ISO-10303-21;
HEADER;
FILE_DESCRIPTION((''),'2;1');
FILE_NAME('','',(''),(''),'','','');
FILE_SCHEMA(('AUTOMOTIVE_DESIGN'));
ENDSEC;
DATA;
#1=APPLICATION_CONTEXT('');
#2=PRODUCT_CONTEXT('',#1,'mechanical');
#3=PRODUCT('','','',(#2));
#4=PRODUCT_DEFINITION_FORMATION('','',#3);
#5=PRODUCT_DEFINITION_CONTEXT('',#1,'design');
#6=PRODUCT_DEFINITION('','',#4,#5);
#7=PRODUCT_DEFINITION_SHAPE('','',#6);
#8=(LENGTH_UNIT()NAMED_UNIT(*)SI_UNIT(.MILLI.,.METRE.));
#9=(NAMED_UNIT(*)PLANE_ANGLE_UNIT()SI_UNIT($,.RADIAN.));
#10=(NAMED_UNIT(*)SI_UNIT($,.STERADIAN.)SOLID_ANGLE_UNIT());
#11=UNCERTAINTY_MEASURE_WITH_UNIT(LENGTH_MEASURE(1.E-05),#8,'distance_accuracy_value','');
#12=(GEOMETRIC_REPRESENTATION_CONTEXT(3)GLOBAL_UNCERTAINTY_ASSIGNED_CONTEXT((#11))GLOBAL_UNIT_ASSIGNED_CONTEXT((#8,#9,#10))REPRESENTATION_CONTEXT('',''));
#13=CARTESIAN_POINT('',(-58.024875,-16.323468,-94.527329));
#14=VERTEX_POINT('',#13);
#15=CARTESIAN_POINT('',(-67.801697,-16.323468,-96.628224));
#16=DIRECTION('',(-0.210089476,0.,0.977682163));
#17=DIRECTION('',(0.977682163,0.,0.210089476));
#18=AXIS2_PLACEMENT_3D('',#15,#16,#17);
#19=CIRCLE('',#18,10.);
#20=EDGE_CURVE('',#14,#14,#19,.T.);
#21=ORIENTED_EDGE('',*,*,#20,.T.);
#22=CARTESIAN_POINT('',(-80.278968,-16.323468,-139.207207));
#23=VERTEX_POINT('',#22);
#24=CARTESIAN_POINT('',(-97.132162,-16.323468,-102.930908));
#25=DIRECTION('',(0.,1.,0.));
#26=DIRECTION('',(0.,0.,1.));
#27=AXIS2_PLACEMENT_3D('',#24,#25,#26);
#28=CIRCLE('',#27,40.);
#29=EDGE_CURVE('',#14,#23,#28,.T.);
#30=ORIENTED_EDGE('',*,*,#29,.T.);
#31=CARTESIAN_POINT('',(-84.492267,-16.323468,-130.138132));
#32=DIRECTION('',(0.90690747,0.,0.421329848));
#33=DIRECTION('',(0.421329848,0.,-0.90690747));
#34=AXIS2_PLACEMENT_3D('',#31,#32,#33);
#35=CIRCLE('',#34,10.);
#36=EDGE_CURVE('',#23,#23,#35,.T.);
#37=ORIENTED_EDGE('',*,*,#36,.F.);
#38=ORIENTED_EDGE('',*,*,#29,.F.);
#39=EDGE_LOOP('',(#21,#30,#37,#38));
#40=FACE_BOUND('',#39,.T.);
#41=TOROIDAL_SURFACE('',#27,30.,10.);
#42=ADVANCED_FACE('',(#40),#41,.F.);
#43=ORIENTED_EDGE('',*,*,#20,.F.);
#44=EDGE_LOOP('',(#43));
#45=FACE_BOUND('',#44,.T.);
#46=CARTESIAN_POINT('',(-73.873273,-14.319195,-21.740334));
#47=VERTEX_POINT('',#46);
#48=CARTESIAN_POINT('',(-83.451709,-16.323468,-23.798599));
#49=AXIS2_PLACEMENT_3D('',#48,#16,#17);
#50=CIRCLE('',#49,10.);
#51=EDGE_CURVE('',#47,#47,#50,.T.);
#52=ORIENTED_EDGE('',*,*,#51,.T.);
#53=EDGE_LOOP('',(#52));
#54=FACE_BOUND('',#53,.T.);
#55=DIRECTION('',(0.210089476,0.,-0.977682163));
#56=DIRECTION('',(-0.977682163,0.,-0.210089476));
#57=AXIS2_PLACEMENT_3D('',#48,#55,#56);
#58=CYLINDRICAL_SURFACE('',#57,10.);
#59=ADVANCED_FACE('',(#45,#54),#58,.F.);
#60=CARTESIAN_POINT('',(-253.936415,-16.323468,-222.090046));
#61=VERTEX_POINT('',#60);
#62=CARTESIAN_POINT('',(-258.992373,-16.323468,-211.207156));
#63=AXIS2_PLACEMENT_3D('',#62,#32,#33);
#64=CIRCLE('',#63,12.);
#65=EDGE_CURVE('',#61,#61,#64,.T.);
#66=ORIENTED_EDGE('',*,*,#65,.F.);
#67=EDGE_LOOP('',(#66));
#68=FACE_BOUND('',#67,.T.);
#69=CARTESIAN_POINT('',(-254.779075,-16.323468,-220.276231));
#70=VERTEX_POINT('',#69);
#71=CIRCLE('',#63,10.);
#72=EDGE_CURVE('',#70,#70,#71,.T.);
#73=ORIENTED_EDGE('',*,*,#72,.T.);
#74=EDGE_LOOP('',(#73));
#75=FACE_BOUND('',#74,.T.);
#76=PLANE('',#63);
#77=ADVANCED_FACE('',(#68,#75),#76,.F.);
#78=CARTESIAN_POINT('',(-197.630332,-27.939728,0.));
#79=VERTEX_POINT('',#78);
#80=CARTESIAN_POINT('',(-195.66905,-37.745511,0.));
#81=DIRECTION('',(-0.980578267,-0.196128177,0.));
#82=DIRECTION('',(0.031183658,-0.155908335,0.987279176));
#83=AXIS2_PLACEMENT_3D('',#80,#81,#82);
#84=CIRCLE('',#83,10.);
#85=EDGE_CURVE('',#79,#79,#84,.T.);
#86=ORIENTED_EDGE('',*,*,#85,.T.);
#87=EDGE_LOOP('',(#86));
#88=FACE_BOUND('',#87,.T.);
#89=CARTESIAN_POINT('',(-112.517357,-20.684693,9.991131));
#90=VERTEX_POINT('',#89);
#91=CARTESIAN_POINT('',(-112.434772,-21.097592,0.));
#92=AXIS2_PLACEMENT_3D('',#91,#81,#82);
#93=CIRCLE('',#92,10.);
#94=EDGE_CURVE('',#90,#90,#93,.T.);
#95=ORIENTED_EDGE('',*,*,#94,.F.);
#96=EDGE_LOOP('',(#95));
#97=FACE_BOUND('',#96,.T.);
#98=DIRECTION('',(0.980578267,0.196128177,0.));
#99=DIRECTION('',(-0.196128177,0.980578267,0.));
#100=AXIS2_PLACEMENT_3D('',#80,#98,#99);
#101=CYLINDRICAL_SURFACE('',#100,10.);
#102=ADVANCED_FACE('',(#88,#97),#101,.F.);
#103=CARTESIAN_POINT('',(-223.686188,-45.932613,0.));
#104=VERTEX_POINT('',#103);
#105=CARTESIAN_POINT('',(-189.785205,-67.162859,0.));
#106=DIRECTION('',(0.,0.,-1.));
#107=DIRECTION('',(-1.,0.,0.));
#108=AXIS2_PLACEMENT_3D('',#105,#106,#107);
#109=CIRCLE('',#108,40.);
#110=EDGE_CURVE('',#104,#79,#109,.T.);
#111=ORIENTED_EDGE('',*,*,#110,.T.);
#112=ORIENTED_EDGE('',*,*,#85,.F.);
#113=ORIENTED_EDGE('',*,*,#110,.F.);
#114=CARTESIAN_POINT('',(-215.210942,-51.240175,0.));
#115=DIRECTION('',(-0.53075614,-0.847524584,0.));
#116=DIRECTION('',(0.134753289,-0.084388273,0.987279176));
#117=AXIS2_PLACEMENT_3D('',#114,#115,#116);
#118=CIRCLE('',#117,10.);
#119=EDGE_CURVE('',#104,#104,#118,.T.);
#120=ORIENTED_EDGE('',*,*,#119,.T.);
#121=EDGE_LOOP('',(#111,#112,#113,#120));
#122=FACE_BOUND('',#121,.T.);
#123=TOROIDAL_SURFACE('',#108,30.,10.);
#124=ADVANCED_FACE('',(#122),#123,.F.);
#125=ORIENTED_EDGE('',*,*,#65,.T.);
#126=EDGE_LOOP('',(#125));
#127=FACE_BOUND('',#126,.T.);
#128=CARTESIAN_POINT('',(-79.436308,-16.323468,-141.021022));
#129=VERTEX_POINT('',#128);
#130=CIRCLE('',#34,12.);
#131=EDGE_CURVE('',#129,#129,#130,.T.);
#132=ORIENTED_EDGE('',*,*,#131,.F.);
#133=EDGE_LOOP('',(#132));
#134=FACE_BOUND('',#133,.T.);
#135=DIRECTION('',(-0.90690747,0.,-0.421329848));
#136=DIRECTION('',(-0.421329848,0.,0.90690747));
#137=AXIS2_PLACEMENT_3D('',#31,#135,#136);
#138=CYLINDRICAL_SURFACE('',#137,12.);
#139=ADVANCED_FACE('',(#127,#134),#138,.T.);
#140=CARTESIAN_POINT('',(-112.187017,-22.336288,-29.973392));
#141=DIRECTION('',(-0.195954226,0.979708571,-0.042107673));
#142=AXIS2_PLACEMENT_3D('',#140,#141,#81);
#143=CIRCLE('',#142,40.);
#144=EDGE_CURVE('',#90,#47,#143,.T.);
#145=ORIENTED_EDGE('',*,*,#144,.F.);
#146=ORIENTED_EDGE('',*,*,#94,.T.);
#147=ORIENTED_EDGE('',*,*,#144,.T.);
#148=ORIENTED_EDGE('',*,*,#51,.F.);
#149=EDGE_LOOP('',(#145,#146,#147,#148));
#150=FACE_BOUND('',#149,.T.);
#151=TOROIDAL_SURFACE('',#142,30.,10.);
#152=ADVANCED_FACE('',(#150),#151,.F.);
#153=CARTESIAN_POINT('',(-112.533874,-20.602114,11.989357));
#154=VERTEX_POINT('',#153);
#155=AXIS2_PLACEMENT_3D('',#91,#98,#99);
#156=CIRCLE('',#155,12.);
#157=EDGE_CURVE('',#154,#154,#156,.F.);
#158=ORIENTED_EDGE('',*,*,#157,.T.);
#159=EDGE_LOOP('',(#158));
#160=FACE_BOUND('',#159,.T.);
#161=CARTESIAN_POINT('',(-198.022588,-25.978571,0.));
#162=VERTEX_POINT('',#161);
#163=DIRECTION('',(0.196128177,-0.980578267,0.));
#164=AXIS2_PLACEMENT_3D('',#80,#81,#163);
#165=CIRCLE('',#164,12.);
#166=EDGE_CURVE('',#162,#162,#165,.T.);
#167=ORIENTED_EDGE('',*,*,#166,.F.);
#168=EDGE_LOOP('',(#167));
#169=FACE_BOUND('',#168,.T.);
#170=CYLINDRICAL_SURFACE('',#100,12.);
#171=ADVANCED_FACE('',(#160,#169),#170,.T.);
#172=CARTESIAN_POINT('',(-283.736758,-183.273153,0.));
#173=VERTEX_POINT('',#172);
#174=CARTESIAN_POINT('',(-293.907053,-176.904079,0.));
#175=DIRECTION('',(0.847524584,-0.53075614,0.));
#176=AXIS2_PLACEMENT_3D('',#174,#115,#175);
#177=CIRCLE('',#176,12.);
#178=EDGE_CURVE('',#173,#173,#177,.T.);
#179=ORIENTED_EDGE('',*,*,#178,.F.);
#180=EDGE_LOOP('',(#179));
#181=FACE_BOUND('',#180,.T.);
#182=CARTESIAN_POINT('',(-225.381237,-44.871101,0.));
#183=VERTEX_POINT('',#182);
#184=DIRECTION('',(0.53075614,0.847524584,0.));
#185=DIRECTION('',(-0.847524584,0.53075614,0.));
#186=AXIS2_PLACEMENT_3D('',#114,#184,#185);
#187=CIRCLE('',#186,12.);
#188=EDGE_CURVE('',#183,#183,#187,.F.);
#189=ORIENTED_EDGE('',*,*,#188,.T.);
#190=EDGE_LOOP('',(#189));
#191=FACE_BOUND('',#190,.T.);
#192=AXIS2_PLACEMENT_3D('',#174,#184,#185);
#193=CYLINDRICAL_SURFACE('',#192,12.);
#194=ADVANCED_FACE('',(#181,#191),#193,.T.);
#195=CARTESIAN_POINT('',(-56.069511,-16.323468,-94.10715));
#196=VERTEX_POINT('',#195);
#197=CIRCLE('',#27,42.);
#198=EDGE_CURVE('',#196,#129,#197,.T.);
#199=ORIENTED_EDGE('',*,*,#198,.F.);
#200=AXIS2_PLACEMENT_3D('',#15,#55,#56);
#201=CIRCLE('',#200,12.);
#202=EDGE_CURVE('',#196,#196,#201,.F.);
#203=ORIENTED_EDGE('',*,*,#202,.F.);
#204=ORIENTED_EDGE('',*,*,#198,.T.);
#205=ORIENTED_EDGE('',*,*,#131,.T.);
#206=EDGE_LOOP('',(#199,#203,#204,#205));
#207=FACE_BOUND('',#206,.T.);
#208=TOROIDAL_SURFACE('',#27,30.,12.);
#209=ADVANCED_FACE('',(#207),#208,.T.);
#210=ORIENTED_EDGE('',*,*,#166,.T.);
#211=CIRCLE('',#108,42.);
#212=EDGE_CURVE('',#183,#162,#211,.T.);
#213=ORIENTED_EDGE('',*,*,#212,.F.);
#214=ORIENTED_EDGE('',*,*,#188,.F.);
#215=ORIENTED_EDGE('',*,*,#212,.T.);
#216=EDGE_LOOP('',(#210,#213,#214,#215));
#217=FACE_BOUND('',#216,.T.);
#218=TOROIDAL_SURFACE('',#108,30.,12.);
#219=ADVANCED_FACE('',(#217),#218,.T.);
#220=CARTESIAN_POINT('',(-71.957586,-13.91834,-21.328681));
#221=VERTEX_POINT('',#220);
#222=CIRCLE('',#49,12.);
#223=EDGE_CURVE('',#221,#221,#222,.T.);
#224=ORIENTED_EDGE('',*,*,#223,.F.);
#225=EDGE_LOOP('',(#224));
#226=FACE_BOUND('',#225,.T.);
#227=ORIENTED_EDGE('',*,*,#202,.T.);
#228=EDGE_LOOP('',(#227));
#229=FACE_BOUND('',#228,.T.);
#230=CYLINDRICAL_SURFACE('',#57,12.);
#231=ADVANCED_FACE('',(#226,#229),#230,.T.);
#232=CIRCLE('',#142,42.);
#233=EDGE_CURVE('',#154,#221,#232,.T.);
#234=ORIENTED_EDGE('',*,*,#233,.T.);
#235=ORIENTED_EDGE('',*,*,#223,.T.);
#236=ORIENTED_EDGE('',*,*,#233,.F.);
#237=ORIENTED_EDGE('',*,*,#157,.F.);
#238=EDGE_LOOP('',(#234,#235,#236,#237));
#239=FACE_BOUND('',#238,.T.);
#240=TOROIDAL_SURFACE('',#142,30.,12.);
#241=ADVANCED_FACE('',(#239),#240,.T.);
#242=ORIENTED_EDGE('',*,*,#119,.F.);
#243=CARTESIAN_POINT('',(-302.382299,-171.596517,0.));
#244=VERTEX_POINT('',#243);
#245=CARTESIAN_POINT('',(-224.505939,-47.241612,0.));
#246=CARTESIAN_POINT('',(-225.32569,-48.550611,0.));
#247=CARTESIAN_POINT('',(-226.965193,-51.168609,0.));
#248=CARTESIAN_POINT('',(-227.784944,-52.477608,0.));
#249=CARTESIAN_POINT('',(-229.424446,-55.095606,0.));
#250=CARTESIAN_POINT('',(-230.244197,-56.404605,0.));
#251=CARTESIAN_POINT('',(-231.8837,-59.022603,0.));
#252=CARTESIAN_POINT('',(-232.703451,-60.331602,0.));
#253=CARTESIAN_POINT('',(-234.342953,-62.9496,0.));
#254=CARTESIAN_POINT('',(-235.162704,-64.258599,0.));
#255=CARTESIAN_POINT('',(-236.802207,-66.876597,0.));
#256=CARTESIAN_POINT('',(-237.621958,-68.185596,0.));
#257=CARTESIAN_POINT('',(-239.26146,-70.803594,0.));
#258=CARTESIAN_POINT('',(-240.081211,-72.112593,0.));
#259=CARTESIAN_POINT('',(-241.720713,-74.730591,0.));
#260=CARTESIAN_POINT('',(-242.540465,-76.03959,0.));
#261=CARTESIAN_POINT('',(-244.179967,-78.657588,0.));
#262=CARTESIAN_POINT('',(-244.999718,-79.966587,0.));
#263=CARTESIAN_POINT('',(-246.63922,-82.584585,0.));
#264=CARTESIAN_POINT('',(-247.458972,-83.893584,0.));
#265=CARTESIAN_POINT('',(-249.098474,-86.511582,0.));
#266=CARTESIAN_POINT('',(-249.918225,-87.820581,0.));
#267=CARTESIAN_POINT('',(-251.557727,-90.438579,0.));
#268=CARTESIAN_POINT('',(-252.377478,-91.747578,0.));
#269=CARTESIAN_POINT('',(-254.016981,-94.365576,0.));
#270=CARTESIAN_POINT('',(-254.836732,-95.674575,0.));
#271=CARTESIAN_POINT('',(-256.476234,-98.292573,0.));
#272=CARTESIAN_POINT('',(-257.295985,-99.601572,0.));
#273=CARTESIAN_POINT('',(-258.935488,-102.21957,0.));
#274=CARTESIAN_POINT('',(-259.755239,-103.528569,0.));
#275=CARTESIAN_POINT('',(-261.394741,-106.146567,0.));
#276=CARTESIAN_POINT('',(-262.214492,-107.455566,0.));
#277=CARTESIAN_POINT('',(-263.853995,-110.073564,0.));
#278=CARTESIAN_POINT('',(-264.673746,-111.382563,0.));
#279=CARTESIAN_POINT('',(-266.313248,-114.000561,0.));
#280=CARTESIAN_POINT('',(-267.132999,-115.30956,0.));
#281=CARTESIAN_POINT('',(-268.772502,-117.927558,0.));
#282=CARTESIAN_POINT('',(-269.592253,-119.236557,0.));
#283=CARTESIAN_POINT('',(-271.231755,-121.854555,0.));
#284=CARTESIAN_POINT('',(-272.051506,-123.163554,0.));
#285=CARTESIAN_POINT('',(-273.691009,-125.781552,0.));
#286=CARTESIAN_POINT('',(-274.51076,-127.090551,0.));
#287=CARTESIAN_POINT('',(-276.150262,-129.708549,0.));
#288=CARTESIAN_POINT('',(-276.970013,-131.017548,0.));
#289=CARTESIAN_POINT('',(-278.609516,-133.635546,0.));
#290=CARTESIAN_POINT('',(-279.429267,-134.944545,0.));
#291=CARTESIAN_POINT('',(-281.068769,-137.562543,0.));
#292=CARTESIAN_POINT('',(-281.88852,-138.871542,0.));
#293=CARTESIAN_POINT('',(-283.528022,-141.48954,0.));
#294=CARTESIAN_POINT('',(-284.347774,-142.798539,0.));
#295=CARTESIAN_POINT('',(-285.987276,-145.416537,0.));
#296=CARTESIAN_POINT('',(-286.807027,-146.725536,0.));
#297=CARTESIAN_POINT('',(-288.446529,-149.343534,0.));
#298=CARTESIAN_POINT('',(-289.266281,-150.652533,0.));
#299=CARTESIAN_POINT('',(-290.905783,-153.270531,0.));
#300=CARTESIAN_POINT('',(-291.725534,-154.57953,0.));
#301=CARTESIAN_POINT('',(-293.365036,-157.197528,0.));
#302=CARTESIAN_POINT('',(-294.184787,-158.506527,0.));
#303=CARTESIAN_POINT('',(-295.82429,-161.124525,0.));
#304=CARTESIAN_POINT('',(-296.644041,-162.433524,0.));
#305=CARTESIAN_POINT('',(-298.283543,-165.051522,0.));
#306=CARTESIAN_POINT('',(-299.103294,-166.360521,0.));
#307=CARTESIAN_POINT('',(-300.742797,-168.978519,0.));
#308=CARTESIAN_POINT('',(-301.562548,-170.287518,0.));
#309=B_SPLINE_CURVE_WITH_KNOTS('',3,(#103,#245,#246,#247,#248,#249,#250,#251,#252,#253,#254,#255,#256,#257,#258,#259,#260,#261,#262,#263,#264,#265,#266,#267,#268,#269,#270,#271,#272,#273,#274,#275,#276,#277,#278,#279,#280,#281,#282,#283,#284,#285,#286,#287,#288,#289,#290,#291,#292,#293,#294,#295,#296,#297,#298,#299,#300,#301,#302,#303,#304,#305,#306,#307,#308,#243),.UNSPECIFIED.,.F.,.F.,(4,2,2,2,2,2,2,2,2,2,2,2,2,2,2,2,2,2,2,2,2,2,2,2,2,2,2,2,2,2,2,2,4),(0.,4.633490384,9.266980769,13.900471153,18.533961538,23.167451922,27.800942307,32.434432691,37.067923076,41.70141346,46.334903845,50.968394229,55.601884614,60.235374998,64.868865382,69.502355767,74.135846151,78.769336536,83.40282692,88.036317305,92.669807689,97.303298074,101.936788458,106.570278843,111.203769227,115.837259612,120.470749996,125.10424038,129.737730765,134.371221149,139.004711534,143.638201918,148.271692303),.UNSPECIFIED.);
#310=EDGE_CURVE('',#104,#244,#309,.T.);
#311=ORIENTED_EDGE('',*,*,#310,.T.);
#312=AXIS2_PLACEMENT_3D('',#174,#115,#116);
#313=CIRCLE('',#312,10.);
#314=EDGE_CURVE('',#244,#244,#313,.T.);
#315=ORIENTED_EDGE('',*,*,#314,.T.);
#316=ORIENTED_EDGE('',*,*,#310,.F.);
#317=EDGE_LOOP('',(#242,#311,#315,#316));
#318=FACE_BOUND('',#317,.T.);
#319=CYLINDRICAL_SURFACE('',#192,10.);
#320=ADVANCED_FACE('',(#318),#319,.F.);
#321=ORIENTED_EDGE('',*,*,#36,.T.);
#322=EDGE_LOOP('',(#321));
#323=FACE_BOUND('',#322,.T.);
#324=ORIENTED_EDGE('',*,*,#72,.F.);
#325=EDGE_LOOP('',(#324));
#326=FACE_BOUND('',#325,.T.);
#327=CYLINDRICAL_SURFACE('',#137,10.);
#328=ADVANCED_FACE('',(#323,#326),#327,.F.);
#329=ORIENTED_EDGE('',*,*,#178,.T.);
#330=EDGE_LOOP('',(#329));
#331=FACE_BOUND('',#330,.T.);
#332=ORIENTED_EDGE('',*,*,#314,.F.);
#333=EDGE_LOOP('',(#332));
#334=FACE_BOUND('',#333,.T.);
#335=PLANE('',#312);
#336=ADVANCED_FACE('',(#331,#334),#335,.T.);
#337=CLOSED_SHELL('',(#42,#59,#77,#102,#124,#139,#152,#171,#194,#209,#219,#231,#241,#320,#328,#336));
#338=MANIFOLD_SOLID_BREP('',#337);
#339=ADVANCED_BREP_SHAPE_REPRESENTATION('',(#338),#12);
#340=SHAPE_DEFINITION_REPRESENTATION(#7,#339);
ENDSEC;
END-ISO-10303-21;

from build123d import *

# Parameters (mm, degrees)
SWEEP_1_PROFILE_R   = 12
SWEEP_1_PROFILE_R_2 = 10


with BuildPart() as part:
    # 扫描-薄件1: sweep along a curve in space
    with BuildLine() as sweep_1_path:
        Line((-293.907053201, -176.904078828, 0), (-215.210942182, -51.240174508, 0))
        ThreePointArc((-215.210942182, -51.240174508, 0), (-206.832168677, -42.47680964, 0), (-195.669049964, -37.745510677, 0))
        Line((-195.669049964, -37.745510677, 0), (-112.434772166, -21.097592117, 0))
        ThreePointArc((-83.45170927, -16.323468261, -23.798598546), (-93.844250534, -17.667130883, -6.69804309), (-112.434772166, -21.097592117, 0))
        Line((-83.45170927, -16.323468261, -23.798598546), (-67.801697088, -16.323468261, -96.628223589))
        ThreePointArc((-67.801697088, -16.323468261, -96.628223589), (-70.278739917, -16.323468261, -116.306023698), (-84.49226654, -16.323468261, -130.138131969))
        Line((-84.49226654, -16.323468261, -130.138131969), (-258.992373197, -16.323468261, -211.207155939))
    # 扫描-薄件1 profile (on start of the path) → 扫描-薄件1 (sweep)
    with BuildSketch(Plane(origin=(-293.907053201, -176.904078828, 0), x_dir=(0.8475245838768447, -0.5307561396012122, 0), z_dir=(0.5307561396012122, 0.8475245838768447, 0))):
        Circle(SWEEP_1_PROFILE_R)
        Circle(SWEEP_1_PROFILE_R_2, mode=Mode.SUBTRACT)
    sweep(path=sweep_1_path.line)


solid = part.part
